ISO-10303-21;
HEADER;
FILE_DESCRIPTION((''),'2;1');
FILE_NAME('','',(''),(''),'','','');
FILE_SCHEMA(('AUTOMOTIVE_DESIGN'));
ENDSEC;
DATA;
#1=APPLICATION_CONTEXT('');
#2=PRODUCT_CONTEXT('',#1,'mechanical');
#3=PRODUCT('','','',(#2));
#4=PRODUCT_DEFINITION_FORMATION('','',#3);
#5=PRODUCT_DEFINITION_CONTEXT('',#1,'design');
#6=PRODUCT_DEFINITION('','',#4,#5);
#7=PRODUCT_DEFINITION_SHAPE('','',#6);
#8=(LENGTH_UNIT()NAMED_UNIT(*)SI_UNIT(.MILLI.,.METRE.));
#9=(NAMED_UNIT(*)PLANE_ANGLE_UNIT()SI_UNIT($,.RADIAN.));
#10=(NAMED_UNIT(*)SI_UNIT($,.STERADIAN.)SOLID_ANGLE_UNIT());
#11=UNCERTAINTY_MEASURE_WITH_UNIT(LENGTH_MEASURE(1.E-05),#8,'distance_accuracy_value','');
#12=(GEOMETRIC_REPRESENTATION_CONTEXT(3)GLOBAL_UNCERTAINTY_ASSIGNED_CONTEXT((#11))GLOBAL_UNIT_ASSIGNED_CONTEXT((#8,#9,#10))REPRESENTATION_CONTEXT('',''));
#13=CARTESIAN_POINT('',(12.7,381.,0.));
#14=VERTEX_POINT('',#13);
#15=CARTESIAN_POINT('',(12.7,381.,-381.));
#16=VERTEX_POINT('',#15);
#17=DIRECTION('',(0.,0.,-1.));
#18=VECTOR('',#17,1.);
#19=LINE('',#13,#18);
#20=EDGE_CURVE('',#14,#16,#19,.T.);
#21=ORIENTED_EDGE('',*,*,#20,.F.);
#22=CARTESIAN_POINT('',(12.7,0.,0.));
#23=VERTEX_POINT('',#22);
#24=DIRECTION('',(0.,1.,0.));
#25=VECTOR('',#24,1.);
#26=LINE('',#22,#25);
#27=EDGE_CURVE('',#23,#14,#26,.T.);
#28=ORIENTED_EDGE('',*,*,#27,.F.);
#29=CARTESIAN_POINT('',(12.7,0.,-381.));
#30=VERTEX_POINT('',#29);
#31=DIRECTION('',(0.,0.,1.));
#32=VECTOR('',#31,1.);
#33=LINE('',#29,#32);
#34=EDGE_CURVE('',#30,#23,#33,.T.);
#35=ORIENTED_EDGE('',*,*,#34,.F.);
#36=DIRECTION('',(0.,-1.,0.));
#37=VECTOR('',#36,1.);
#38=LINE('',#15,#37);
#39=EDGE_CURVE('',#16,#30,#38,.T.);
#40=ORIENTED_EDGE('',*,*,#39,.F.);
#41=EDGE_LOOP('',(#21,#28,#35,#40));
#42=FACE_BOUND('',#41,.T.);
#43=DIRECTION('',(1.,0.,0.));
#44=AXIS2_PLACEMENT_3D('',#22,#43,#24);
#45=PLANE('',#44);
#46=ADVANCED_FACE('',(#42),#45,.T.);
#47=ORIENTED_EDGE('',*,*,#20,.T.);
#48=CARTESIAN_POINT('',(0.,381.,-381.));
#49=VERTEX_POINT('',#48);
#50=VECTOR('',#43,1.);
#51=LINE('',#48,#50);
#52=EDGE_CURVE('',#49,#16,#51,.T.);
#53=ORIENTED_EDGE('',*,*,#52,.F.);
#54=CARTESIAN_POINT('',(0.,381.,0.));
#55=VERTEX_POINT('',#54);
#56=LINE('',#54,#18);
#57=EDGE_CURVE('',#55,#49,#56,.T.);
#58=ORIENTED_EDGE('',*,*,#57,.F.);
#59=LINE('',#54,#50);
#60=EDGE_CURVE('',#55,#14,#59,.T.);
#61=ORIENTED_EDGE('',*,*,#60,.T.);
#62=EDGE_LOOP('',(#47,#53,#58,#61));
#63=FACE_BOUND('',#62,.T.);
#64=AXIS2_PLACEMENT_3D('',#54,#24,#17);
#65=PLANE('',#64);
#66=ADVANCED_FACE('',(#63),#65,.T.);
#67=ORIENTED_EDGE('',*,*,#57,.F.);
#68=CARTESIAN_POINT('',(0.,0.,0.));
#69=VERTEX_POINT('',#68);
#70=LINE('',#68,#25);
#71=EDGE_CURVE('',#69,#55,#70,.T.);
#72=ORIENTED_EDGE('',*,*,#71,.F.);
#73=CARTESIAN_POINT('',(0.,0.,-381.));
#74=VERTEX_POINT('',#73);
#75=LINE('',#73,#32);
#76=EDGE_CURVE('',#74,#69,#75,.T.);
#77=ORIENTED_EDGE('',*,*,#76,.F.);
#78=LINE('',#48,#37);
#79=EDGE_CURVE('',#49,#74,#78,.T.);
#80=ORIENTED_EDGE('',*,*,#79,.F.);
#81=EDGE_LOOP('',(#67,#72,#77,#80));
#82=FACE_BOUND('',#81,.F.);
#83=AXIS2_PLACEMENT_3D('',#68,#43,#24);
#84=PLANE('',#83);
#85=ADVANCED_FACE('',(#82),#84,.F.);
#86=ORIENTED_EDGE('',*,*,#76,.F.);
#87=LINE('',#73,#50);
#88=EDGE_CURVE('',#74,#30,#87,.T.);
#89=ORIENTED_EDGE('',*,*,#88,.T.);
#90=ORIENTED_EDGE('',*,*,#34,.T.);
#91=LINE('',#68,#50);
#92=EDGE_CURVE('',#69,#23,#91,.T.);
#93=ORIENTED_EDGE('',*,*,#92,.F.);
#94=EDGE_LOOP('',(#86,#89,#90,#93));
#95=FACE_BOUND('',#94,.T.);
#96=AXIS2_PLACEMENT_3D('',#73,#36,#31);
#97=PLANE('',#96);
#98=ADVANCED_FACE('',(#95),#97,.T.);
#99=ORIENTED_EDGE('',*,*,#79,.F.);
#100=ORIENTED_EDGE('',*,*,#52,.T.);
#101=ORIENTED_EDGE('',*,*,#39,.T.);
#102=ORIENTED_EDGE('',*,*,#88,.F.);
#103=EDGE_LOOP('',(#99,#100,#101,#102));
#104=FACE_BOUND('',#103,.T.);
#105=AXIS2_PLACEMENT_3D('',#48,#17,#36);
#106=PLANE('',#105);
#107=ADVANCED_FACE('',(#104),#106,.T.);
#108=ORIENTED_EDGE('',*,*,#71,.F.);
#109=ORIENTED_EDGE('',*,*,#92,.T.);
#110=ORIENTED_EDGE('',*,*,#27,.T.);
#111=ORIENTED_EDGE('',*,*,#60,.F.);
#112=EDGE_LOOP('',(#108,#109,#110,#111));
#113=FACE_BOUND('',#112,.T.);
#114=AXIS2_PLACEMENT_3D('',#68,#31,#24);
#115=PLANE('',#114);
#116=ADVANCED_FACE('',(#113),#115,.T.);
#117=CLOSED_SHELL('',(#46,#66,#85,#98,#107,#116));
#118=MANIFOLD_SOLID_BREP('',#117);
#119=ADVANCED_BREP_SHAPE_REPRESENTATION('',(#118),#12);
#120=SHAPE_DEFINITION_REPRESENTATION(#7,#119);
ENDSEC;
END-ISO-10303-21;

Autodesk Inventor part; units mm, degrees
ref_plane "YZ Plane" through (0, 0, 0) normal (1, 0, 0) x (0, 1, 0)
ref_plane "XZ Plane" through (0, 0, 0) normal (0, 1, 0) x (-1, 0, 0)
ref_plane "XY Plane" through (0, 0, 0) normal (0, 0, 1) x (1, 0, 0)
sketch "Sketch1" plane through (0, 0, 0) normal (1, 0, 0) x (0, 1, 0)
  line L0 (0, 0) -> (381, 0)
  line L1 (381, 0) -> (381, -381)
  line L2 (381, -381) -> (0, -381)
  line L3 (0, -381) -> (0, 0)
  dimension "d0" = 381
  dimension "d1" = 381
extrude "Extrusion1" add sketch "Sketch1" along normal blind 12.7
properties part number "back"
